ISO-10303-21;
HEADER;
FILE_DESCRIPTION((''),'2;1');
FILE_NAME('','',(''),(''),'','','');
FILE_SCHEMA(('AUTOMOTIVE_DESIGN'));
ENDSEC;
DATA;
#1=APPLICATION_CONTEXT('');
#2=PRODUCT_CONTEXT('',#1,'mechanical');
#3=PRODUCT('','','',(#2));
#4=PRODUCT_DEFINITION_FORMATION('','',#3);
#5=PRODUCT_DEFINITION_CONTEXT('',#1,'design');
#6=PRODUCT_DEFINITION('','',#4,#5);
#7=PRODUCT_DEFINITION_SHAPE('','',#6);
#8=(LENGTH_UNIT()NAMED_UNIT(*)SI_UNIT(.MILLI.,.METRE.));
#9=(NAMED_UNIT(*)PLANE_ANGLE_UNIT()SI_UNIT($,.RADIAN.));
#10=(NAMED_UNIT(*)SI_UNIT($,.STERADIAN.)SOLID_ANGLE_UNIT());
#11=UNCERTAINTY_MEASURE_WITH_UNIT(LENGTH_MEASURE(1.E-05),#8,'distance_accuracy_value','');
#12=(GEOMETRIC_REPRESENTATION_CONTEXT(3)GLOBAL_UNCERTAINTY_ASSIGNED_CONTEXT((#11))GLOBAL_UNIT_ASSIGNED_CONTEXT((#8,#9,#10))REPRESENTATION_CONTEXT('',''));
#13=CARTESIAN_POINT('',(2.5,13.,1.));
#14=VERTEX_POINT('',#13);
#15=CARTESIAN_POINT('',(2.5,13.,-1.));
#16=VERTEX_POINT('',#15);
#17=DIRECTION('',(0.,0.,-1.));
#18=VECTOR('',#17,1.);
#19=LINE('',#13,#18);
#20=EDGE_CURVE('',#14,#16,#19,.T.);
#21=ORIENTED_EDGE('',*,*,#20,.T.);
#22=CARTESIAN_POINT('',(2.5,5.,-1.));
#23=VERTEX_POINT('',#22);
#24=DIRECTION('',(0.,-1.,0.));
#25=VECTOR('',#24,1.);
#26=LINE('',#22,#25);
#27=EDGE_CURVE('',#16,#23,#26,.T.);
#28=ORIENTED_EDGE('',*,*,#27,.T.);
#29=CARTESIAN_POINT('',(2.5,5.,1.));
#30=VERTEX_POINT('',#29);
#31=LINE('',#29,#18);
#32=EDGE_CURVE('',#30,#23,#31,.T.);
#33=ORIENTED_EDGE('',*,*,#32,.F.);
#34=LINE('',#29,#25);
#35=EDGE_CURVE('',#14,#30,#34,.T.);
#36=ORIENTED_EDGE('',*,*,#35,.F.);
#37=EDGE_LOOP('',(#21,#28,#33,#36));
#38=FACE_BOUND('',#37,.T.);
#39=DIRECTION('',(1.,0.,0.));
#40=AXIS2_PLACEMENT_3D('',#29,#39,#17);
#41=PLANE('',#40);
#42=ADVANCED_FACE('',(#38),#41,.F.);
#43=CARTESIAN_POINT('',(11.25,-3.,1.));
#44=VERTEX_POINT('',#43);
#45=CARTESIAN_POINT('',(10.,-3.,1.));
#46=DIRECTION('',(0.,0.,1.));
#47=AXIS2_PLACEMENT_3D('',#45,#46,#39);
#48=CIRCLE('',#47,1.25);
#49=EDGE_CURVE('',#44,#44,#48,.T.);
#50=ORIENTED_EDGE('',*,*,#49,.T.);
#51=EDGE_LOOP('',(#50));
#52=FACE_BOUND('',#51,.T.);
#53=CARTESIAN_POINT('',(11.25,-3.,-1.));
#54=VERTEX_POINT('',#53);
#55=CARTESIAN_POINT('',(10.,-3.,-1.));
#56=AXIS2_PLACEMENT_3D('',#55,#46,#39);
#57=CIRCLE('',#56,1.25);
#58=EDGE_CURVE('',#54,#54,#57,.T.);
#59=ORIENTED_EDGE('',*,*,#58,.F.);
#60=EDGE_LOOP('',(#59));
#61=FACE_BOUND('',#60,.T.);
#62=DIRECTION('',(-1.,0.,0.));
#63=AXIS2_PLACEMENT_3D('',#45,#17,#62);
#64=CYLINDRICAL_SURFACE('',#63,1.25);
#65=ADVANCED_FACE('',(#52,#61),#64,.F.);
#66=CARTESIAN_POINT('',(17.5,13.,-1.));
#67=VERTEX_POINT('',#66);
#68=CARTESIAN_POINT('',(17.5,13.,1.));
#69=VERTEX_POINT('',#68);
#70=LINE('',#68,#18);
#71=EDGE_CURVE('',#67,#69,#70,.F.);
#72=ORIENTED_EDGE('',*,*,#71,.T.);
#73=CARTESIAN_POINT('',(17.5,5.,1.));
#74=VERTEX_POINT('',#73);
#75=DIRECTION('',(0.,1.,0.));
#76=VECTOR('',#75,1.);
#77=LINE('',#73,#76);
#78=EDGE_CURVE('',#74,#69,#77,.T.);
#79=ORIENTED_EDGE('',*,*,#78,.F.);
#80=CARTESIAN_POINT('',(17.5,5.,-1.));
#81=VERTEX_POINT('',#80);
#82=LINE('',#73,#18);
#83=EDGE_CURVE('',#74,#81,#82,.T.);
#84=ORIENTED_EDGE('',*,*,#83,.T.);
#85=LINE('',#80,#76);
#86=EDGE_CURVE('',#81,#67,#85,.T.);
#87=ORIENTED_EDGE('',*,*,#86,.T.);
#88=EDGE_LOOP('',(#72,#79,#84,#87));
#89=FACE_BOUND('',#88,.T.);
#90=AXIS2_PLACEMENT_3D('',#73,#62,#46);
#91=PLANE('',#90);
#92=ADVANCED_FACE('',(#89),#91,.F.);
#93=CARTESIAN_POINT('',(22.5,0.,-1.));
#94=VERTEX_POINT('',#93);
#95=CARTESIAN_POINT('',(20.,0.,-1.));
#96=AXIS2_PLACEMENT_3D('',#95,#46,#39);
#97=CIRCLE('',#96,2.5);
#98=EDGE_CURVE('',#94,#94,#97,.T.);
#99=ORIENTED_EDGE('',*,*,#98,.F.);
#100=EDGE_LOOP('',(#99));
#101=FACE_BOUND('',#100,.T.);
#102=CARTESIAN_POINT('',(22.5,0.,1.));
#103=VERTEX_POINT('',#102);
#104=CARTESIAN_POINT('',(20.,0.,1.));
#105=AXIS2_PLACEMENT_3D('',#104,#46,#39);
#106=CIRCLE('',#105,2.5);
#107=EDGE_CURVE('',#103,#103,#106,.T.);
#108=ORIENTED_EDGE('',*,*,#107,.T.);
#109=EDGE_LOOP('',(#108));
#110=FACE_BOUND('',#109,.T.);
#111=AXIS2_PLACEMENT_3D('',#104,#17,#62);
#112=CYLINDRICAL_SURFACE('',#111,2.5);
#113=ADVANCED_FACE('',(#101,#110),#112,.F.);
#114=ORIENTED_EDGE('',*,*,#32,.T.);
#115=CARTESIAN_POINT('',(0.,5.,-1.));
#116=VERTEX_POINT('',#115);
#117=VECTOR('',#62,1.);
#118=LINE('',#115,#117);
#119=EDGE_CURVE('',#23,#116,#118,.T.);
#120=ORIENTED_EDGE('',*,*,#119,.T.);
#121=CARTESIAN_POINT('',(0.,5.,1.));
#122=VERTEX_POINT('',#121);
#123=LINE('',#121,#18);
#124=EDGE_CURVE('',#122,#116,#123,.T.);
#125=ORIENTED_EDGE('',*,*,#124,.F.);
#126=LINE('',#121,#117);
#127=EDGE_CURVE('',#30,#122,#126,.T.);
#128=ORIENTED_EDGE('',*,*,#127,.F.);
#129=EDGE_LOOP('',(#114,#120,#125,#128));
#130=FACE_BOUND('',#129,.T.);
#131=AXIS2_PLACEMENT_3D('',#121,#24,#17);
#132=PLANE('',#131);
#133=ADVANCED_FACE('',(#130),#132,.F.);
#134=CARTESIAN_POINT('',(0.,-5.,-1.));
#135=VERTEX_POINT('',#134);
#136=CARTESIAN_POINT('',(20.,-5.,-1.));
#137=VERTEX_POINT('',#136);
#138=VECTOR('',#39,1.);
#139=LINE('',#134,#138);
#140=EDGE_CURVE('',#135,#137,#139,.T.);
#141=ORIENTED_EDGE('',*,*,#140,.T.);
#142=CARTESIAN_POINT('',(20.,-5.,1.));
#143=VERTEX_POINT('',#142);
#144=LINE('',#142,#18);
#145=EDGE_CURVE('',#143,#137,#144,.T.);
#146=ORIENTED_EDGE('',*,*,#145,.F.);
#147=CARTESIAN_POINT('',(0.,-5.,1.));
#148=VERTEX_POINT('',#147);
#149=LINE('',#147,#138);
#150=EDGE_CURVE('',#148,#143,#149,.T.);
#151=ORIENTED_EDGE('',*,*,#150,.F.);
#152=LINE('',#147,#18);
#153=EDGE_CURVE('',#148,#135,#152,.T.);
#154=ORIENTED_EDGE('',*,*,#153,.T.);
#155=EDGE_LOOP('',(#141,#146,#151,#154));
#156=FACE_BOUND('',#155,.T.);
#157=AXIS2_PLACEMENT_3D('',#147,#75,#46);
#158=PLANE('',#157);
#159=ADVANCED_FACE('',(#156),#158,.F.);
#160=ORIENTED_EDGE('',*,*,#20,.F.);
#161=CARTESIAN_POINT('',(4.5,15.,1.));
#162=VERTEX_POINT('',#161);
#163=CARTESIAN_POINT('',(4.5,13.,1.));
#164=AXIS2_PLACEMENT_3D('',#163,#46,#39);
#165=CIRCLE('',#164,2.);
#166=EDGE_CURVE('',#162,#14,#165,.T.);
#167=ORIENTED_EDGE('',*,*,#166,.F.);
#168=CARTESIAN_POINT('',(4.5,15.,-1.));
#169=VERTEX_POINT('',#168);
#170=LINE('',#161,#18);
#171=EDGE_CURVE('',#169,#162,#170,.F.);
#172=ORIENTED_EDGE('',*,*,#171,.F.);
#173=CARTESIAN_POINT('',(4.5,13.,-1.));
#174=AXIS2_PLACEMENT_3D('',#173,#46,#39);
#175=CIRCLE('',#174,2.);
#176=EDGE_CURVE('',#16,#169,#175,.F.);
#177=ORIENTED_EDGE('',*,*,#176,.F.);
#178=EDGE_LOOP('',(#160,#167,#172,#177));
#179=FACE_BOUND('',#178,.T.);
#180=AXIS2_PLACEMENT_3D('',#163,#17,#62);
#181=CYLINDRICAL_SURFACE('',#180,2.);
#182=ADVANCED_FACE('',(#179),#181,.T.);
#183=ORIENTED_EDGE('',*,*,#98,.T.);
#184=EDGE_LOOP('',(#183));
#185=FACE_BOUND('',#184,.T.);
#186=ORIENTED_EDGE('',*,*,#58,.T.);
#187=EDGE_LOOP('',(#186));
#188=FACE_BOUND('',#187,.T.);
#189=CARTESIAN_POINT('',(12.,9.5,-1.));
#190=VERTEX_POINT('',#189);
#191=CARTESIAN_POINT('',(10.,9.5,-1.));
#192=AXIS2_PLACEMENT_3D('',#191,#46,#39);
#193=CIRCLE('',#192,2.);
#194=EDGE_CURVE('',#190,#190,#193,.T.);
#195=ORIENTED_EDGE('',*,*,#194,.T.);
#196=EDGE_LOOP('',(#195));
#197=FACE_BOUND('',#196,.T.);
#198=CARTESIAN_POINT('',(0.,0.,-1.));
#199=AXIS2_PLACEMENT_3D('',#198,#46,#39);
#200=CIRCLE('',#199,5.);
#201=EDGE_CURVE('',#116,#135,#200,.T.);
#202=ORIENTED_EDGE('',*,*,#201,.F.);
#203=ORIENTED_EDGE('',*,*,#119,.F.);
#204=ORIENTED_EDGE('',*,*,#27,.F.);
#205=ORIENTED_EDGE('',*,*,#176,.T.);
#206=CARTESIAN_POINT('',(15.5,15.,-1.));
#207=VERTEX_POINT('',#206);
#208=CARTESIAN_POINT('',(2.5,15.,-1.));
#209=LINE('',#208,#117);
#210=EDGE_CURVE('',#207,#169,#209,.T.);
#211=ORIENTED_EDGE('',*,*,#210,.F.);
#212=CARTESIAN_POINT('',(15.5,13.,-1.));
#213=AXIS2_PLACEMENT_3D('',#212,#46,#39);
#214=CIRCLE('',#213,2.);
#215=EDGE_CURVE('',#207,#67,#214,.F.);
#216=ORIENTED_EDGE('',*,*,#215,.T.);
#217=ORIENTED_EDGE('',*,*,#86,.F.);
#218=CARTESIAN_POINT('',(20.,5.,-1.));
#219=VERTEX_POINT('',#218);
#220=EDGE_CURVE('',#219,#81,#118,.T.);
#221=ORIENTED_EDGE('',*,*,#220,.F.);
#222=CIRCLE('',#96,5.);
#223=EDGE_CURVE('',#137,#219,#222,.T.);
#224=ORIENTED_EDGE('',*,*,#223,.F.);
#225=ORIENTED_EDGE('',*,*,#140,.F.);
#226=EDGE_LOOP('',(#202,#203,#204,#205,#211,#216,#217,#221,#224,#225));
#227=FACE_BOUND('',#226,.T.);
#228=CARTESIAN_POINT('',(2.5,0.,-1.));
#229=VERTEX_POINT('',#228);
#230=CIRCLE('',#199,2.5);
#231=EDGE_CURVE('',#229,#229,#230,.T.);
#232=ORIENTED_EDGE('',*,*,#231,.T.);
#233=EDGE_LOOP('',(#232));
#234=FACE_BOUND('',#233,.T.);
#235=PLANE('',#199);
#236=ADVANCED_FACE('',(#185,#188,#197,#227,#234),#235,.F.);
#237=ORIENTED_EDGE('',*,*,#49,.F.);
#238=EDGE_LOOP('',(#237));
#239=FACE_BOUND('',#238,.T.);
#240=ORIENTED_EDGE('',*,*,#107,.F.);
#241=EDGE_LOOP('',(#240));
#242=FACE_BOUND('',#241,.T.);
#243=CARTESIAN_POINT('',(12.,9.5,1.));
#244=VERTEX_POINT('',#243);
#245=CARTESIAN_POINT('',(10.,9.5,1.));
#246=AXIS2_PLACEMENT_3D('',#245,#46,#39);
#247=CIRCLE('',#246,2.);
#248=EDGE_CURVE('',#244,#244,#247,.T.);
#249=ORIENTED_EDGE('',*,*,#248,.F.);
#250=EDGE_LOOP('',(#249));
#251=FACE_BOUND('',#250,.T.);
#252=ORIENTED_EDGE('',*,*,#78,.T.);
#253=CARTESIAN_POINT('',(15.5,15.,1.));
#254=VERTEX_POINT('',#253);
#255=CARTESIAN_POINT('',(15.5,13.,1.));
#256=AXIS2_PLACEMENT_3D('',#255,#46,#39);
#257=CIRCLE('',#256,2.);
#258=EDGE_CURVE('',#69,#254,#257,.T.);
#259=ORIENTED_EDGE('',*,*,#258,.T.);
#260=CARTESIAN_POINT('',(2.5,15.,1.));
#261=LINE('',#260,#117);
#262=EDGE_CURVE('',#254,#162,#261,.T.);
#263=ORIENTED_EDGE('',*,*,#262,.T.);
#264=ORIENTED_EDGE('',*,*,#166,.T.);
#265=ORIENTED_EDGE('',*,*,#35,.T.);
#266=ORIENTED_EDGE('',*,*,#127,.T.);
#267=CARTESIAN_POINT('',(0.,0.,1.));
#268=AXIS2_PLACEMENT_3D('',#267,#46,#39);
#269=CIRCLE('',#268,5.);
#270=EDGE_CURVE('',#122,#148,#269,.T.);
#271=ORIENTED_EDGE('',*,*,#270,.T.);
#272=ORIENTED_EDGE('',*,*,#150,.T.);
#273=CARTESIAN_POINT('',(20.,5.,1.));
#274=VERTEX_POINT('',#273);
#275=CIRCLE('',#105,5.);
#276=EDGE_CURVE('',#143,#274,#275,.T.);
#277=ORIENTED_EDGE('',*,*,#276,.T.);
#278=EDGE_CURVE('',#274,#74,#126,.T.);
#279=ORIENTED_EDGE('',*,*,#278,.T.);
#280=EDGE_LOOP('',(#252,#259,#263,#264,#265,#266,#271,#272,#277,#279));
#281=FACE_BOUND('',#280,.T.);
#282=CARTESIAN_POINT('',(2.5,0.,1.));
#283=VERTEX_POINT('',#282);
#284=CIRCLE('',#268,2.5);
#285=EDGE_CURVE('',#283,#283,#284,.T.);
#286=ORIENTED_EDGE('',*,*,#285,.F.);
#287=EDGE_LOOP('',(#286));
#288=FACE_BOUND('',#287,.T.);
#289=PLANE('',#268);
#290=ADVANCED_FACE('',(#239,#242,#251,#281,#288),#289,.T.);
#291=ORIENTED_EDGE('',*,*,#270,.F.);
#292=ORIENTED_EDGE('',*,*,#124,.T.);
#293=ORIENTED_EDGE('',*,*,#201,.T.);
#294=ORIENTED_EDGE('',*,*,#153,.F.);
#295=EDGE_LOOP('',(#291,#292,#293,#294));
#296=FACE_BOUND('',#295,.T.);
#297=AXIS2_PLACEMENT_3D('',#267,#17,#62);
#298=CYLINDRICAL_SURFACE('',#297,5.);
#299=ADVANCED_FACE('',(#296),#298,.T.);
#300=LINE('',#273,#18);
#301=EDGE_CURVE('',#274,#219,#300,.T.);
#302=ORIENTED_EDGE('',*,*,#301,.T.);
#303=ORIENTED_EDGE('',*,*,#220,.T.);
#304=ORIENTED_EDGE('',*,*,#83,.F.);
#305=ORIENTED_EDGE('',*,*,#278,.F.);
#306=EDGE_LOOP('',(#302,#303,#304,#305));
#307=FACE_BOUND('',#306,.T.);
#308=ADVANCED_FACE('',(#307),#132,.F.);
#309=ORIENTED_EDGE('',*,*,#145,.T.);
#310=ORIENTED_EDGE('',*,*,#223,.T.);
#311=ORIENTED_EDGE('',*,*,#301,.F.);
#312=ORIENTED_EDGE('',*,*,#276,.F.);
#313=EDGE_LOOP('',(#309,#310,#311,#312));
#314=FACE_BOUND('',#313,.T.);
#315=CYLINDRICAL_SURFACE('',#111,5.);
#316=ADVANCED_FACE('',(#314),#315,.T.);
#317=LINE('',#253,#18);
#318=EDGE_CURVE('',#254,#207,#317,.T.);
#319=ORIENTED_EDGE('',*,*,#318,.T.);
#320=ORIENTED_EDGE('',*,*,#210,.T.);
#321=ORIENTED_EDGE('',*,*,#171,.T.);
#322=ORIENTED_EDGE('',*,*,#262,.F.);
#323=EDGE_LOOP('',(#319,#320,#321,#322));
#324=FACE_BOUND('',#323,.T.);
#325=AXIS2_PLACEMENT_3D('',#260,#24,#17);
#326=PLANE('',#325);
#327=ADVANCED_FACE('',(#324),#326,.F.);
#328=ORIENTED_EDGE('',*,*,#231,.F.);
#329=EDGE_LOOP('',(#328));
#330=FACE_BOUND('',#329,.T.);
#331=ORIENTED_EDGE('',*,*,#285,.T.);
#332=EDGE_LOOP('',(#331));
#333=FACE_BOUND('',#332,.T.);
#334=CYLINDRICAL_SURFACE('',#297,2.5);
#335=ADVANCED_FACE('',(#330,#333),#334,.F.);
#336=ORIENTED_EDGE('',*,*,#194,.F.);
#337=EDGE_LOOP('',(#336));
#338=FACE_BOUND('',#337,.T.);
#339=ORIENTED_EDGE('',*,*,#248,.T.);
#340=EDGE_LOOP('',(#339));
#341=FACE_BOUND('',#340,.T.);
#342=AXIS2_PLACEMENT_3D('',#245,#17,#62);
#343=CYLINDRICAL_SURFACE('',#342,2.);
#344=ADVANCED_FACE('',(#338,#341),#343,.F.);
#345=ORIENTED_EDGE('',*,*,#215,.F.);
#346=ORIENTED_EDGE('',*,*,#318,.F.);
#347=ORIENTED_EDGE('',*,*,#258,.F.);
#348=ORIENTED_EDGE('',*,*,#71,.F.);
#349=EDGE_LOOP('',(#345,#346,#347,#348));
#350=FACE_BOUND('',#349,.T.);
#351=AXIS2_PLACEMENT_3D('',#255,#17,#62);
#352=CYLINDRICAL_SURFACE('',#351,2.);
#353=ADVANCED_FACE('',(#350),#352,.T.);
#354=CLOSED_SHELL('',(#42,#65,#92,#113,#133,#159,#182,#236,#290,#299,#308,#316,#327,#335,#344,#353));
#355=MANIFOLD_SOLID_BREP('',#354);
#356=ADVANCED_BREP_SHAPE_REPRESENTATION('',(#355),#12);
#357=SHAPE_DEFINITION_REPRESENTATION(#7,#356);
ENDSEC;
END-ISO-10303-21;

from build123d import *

# Parameters (mm, degrees)
SKETCH1_R           = 2.5
SKETCH1_R_2         = 1.25
BOSS_EXTRUDE1_DEPTH = 1
SKETCH2_W           = 15
SKETCH2_H           = 10
SKETCH2_R           = 2
BOSS_EXTRUDE2_DEPTH = 1
FILLET1_R           = 2


with BuildPart() as part:
    # Sketch1 → Boss-Extrude1 (new, symmetric)
    with BuildSketch(Plane.XY):
        with BuildLine():
            Line((0, 5), (20, 5))
            ThreePointArc((20, 5), (25, 0), (20, -5))
            Line((20, -5), (0, -5))
            ThreePointArc((0, -5), (-5, 0), (0, 5))
        make_face()
        Circle(SKETCH1_R, mode=Mode.SUBTRACT)
        with Locations((20, 0)):
            Circle(SKETCH1_R, mode=Mode.SUBTRACT)
        with Locations((10, -3)):
            Circle(SKETCH1_R_2, mode=Mode.SUBTRACT)
    extrude(amount=BOSS_EXTRUDE1_DEPTH, both=True)

    # Sketch2 → Boss-Extrude2 (add, symmetric)
    with BuildSketch(Plane.XY):
        with Locations((10, 10)):
            Rectangle(SKETCH2_W, SKETCH2_H)
        with Locations((10, 9.5)):
            Circle(SKETCH2_R, mode=Mode.SUBTRACT)
    extrude(amount=BOSS_EXTRUDE2_DEPTH, both=True)

    # Fillet1
    fillet1_edges = [part.edges().sort_by_distance(p)[0] for p in [
        (2.5, 15, 0),
        (17.5, 15, 0),
    ]]
    fillet(fillet1_edges, radius=FILLET1_R)


solid = part.part
